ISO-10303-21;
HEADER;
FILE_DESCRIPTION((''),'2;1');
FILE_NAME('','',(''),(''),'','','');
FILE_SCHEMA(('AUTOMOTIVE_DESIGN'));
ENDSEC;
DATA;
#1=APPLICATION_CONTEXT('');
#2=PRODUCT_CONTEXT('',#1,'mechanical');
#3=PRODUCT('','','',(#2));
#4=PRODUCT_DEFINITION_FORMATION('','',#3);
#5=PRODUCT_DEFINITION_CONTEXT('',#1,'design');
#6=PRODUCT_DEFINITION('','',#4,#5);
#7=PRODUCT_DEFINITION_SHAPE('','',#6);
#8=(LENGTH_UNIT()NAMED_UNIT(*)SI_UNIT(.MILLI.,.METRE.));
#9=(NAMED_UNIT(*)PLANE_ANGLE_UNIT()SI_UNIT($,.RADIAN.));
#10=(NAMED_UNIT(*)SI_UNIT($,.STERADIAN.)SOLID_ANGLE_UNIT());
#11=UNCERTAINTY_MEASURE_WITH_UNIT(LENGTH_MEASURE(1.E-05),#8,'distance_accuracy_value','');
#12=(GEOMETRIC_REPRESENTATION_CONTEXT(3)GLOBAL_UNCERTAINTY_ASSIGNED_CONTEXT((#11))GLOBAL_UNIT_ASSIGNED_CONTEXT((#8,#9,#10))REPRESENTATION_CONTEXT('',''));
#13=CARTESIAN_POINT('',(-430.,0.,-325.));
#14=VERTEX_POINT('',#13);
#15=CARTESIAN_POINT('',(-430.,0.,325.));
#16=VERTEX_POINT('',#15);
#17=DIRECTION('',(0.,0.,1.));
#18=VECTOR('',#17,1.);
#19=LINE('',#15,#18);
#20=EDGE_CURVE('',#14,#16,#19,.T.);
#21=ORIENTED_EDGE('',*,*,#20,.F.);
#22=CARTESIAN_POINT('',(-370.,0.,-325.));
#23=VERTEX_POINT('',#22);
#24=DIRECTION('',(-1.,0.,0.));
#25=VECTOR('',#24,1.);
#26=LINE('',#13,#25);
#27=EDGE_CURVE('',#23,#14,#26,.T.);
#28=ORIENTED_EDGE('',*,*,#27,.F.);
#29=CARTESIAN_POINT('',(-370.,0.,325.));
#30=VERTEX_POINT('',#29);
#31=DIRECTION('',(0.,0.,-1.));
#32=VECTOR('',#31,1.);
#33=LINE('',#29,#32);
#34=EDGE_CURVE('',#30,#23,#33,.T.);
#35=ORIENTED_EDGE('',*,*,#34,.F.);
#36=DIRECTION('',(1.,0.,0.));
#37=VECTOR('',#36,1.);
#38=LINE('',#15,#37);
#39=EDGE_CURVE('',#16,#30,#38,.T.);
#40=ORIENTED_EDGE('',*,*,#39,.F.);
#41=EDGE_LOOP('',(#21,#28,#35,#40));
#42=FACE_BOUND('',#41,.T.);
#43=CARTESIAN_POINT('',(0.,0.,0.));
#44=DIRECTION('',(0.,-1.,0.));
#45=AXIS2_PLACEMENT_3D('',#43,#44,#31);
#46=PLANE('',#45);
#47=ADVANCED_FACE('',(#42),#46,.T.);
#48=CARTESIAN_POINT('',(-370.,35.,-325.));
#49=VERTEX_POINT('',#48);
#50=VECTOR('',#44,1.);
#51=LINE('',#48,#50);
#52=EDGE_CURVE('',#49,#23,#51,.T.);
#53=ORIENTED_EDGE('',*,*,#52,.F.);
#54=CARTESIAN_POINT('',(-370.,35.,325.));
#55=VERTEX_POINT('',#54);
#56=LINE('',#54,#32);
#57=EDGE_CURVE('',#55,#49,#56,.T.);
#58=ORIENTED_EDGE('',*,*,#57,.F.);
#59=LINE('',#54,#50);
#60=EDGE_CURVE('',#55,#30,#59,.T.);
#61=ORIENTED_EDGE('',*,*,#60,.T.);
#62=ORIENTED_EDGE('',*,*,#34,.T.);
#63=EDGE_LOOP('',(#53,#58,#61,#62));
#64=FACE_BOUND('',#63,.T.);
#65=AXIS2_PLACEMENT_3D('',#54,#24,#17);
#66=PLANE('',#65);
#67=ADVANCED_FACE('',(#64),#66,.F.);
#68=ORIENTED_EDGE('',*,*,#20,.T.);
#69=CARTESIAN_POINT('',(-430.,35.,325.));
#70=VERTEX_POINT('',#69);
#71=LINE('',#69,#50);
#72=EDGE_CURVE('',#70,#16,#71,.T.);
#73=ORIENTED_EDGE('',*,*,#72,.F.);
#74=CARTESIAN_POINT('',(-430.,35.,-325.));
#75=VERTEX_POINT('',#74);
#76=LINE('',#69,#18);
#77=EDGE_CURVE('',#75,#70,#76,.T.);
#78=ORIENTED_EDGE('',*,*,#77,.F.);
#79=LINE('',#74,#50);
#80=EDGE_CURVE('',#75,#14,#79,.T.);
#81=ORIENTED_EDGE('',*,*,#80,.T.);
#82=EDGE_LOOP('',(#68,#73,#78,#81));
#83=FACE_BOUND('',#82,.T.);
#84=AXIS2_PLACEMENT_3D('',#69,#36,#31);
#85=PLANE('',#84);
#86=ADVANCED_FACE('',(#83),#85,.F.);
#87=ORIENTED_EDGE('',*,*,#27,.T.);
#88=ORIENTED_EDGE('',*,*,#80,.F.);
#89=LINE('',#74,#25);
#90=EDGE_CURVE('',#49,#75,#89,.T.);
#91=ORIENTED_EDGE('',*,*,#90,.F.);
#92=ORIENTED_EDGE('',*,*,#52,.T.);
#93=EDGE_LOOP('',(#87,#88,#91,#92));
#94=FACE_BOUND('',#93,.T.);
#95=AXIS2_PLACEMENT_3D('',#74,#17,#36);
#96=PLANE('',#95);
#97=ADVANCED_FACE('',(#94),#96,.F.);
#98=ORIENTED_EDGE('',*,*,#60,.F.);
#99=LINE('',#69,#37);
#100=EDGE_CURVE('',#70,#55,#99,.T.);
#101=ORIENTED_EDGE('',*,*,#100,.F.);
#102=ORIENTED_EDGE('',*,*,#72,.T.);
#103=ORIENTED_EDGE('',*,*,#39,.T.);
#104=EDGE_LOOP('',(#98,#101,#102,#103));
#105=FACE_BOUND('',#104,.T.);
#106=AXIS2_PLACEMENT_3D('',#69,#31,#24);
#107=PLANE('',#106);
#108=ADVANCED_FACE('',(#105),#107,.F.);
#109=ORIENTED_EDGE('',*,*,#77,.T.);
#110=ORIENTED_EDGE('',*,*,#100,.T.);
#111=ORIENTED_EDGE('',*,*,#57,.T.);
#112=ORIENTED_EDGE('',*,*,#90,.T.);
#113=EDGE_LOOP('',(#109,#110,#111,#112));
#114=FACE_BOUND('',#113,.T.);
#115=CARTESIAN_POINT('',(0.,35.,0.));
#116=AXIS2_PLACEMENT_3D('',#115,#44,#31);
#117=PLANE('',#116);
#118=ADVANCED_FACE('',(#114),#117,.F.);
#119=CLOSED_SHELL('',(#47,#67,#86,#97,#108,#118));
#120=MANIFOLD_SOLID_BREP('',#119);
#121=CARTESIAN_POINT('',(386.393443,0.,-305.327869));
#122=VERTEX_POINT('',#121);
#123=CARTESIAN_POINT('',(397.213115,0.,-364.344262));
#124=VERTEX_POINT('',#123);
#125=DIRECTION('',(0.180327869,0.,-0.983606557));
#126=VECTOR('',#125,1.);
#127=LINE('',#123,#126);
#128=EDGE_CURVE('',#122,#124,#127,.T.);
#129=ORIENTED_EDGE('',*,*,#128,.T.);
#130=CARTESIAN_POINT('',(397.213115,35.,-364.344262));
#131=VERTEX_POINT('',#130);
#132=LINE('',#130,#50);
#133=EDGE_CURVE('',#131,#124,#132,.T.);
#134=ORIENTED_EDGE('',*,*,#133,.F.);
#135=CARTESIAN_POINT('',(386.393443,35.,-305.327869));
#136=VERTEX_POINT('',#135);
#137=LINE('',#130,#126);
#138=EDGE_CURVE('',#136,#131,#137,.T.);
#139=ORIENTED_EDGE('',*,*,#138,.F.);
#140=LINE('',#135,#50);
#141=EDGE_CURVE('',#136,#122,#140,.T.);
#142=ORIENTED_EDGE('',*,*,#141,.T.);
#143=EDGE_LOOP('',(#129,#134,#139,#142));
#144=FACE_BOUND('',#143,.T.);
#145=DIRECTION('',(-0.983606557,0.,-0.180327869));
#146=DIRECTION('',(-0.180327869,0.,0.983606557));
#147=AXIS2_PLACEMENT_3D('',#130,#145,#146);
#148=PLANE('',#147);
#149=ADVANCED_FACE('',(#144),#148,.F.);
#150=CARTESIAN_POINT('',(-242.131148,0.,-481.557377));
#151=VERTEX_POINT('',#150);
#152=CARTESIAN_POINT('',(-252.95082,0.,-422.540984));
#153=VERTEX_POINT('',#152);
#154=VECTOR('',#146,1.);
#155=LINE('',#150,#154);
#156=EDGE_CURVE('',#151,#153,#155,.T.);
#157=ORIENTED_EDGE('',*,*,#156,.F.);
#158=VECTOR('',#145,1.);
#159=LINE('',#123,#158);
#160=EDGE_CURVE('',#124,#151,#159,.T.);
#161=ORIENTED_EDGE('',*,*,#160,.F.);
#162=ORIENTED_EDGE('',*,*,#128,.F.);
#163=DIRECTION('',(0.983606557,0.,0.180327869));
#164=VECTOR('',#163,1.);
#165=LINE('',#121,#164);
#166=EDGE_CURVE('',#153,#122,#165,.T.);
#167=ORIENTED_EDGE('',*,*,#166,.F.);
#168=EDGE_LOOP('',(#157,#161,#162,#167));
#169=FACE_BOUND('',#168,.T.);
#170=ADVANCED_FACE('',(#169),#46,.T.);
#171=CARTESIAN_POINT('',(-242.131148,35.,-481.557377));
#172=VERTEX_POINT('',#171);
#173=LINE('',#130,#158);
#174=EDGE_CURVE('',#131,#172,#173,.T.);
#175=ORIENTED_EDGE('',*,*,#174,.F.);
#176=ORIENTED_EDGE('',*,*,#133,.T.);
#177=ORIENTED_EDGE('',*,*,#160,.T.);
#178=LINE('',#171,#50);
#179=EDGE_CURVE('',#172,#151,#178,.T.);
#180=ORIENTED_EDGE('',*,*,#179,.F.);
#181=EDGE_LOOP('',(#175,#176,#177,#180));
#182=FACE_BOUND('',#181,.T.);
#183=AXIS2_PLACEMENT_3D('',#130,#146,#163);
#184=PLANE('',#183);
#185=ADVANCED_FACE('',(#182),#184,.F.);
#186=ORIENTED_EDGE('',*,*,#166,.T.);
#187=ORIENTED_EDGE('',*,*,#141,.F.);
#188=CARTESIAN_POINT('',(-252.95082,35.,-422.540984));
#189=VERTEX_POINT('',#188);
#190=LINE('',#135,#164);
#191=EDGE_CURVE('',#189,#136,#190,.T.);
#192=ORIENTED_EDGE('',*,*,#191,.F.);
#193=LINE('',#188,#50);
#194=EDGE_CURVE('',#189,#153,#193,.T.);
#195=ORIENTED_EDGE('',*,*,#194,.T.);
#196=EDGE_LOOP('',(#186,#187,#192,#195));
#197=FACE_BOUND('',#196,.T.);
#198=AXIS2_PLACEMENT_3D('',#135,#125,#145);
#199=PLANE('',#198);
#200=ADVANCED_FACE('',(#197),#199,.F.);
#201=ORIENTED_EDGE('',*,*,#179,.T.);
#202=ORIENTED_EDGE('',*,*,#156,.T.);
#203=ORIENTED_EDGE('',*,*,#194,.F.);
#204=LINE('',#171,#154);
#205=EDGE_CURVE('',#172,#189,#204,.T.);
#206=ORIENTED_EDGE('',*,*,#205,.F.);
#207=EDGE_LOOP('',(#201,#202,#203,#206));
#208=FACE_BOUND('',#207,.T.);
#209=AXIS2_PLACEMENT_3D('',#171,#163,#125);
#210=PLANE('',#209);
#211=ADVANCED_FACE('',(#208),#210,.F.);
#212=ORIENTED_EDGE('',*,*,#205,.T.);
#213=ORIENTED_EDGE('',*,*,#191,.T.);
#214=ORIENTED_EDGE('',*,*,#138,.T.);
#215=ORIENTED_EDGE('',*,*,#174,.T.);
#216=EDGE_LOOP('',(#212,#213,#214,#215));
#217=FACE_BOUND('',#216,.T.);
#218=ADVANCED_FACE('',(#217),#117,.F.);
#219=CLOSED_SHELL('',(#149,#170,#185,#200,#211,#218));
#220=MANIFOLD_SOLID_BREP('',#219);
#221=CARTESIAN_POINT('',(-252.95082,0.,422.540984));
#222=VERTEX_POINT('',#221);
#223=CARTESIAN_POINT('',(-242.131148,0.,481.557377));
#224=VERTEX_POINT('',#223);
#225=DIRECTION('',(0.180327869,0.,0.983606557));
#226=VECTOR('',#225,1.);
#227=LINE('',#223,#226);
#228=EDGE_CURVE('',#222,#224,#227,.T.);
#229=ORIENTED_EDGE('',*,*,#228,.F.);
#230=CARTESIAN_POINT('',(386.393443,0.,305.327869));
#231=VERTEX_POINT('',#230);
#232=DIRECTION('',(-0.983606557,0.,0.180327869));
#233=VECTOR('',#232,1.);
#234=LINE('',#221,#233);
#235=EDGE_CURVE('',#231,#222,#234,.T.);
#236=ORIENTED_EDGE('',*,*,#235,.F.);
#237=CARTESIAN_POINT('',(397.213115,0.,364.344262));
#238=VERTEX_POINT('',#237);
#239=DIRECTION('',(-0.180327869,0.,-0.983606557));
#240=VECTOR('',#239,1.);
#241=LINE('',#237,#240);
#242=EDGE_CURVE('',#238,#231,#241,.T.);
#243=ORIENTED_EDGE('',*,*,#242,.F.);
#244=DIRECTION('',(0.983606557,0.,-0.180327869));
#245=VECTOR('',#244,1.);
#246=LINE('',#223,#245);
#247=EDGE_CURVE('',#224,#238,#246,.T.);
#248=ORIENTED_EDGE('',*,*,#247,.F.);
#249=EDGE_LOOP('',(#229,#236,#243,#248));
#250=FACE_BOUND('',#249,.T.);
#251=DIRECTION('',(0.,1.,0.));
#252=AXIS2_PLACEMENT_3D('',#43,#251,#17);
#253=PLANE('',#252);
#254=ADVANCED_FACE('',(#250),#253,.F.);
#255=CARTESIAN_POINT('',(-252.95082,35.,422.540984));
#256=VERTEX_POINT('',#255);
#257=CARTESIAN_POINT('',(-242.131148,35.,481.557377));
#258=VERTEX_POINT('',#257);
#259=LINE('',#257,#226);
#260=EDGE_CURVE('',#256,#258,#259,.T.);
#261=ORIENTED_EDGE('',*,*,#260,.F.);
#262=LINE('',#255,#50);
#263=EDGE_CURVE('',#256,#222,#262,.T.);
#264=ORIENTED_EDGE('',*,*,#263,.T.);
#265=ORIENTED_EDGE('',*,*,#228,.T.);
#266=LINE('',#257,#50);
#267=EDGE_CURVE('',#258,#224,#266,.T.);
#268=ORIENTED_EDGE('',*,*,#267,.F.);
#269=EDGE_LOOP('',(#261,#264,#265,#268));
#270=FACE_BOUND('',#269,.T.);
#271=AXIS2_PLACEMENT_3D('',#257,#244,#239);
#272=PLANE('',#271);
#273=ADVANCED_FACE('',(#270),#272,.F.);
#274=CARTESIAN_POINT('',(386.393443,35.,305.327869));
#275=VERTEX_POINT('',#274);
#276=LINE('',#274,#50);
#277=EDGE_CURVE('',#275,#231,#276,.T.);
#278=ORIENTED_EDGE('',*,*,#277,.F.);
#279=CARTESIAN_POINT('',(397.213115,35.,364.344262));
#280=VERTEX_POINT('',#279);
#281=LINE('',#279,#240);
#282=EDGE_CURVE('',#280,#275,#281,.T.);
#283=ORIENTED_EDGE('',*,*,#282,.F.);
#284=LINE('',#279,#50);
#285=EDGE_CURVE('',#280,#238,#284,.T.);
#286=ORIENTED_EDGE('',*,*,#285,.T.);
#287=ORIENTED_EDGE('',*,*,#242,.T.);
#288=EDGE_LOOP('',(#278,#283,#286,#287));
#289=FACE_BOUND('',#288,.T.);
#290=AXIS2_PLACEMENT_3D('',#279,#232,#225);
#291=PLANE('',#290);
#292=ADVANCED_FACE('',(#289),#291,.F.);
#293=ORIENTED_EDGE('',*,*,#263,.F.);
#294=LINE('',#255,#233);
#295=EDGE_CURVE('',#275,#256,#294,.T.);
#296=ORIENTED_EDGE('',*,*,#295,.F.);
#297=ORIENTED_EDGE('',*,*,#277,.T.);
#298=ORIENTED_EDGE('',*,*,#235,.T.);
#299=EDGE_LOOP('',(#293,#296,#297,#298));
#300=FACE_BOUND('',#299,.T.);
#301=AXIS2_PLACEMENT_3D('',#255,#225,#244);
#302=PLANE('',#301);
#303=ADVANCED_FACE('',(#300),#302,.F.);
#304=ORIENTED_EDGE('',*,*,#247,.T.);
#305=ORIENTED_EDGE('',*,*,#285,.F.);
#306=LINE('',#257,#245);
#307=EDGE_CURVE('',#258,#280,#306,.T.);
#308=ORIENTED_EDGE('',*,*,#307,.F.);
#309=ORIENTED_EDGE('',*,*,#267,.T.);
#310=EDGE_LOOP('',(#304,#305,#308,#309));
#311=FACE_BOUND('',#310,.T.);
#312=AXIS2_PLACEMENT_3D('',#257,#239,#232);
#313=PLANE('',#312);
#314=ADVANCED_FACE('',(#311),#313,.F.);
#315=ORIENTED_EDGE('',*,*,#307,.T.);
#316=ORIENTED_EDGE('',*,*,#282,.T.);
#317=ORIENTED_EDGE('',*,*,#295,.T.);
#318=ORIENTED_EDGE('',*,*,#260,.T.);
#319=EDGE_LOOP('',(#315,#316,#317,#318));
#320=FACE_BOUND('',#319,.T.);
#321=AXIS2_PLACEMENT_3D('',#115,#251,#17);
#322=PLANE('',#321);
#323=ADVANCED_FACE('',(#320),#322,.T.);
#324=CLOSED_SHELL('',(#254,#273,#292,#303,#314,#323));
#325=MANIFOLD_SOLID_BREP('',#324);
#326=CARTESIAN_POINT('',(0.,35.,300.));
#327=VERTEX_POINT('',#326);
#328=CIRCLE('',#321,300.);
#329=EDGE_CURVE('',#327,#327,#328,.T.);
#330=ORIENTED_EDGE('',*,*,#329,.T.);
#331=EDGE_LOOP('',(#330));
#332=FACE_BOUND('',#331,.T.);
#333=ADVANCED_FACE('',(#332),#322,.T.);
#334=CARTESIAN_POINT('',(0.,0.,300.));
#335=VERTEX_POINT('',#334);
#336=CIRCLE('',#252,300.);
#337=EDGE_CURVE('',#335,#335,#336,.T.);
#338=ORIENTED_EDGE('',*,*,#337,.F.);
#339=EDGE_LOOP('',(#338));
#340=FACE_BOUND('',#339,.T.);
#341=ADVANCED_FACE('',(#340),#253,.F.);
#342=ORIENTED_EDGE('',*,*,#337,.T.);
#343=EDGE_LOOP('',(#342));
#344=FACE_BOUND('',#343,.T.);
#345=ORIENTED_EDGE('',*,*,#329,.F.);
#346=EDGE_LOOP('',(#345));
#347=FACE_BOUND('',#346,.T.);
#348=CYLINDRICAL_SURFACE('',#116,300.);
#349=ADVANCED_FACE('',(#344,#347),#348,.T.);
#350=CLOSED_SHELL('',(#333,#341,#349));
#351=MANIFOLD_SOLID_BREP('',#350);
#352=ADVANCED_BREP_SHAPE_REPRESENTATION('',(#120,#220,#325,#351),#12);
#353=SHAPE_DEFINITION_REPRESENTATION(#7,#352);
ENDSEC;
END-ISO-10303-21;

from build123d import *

# Parameters (mm, degrees)
SKETCH1_R             = 300
BOSS_EXTRUDE1_DEPTH   = 35
BOSS_EXTRUDE1_2_DEPTH = 35
SKETCH1_W             = 60
SKETCH1_H             = 650
BOSS_EXTRUDE1_3_DEPTH = 35
BOSS_EXTRUDE1_4_DEPTH = 35


with BuildPart() as part:
    # Sketch1 → Boss-Extrude1 (new body)
    with BuildSketch(Plane(origin=(0, 0, 0), x_dir=(1, 0, 0), z_dir=(0, 1, 0))):
        Circle(SKETCH1_R)
    extrude(amount=BOSS_EXTRUDE1_DEPTH)


with BuildPart() as body_2:
    # Sketch1 → Boss-Extrude1 2 (new body)
    with BuildSketch(Plane(origin=(0, 0, 0), x_dir=(1, 0, 0), z_dir=(0, 1, 0))):
        Polygon((386.393442623, 305.327868852), (-252.950819672, 422.540983607), (-242.131147541, 481.557377049), (397.213114754, 364.344262295), align=None)
    extrude(amount=BOSS_EXTRUDE1_2_DEPTH)


with BuildPart() as body_3:
    # Sketch1 → Boss-Extrude1 3 (new body)
    with BuildSketch(Plane(origin=(0, 0, 0), x_dir=(1, 0, 0), z_dir=(0, 1, 0))):
        with Locations((-400, 0)):
            Rectangle(SKETCH1_W, SKETCH1_H)
    extrude(amount=BOSS_EXTRUDE1_3_DEPTH)


with BuildPart() as body_4:
    # Sketch1 → Boss-Extrude1 4 (new body)
    with BuildSketch(Plane(origin=(0, 0, 0), x_dir=(1, 0, 0), z_dir=(0, 1, 0))):
        Polygon((-242.131147541, -481.557377049), (-252.950819672, -422.540983607), (386.393442623, -305.327868852), (397.213114754, -364.344262295), align=None)
    extrude(amount=BOSS_EXTRUDE1_4_DEPTH)


solid = Compound([part.part, body_2.part, body_3.part, body_4.part])
